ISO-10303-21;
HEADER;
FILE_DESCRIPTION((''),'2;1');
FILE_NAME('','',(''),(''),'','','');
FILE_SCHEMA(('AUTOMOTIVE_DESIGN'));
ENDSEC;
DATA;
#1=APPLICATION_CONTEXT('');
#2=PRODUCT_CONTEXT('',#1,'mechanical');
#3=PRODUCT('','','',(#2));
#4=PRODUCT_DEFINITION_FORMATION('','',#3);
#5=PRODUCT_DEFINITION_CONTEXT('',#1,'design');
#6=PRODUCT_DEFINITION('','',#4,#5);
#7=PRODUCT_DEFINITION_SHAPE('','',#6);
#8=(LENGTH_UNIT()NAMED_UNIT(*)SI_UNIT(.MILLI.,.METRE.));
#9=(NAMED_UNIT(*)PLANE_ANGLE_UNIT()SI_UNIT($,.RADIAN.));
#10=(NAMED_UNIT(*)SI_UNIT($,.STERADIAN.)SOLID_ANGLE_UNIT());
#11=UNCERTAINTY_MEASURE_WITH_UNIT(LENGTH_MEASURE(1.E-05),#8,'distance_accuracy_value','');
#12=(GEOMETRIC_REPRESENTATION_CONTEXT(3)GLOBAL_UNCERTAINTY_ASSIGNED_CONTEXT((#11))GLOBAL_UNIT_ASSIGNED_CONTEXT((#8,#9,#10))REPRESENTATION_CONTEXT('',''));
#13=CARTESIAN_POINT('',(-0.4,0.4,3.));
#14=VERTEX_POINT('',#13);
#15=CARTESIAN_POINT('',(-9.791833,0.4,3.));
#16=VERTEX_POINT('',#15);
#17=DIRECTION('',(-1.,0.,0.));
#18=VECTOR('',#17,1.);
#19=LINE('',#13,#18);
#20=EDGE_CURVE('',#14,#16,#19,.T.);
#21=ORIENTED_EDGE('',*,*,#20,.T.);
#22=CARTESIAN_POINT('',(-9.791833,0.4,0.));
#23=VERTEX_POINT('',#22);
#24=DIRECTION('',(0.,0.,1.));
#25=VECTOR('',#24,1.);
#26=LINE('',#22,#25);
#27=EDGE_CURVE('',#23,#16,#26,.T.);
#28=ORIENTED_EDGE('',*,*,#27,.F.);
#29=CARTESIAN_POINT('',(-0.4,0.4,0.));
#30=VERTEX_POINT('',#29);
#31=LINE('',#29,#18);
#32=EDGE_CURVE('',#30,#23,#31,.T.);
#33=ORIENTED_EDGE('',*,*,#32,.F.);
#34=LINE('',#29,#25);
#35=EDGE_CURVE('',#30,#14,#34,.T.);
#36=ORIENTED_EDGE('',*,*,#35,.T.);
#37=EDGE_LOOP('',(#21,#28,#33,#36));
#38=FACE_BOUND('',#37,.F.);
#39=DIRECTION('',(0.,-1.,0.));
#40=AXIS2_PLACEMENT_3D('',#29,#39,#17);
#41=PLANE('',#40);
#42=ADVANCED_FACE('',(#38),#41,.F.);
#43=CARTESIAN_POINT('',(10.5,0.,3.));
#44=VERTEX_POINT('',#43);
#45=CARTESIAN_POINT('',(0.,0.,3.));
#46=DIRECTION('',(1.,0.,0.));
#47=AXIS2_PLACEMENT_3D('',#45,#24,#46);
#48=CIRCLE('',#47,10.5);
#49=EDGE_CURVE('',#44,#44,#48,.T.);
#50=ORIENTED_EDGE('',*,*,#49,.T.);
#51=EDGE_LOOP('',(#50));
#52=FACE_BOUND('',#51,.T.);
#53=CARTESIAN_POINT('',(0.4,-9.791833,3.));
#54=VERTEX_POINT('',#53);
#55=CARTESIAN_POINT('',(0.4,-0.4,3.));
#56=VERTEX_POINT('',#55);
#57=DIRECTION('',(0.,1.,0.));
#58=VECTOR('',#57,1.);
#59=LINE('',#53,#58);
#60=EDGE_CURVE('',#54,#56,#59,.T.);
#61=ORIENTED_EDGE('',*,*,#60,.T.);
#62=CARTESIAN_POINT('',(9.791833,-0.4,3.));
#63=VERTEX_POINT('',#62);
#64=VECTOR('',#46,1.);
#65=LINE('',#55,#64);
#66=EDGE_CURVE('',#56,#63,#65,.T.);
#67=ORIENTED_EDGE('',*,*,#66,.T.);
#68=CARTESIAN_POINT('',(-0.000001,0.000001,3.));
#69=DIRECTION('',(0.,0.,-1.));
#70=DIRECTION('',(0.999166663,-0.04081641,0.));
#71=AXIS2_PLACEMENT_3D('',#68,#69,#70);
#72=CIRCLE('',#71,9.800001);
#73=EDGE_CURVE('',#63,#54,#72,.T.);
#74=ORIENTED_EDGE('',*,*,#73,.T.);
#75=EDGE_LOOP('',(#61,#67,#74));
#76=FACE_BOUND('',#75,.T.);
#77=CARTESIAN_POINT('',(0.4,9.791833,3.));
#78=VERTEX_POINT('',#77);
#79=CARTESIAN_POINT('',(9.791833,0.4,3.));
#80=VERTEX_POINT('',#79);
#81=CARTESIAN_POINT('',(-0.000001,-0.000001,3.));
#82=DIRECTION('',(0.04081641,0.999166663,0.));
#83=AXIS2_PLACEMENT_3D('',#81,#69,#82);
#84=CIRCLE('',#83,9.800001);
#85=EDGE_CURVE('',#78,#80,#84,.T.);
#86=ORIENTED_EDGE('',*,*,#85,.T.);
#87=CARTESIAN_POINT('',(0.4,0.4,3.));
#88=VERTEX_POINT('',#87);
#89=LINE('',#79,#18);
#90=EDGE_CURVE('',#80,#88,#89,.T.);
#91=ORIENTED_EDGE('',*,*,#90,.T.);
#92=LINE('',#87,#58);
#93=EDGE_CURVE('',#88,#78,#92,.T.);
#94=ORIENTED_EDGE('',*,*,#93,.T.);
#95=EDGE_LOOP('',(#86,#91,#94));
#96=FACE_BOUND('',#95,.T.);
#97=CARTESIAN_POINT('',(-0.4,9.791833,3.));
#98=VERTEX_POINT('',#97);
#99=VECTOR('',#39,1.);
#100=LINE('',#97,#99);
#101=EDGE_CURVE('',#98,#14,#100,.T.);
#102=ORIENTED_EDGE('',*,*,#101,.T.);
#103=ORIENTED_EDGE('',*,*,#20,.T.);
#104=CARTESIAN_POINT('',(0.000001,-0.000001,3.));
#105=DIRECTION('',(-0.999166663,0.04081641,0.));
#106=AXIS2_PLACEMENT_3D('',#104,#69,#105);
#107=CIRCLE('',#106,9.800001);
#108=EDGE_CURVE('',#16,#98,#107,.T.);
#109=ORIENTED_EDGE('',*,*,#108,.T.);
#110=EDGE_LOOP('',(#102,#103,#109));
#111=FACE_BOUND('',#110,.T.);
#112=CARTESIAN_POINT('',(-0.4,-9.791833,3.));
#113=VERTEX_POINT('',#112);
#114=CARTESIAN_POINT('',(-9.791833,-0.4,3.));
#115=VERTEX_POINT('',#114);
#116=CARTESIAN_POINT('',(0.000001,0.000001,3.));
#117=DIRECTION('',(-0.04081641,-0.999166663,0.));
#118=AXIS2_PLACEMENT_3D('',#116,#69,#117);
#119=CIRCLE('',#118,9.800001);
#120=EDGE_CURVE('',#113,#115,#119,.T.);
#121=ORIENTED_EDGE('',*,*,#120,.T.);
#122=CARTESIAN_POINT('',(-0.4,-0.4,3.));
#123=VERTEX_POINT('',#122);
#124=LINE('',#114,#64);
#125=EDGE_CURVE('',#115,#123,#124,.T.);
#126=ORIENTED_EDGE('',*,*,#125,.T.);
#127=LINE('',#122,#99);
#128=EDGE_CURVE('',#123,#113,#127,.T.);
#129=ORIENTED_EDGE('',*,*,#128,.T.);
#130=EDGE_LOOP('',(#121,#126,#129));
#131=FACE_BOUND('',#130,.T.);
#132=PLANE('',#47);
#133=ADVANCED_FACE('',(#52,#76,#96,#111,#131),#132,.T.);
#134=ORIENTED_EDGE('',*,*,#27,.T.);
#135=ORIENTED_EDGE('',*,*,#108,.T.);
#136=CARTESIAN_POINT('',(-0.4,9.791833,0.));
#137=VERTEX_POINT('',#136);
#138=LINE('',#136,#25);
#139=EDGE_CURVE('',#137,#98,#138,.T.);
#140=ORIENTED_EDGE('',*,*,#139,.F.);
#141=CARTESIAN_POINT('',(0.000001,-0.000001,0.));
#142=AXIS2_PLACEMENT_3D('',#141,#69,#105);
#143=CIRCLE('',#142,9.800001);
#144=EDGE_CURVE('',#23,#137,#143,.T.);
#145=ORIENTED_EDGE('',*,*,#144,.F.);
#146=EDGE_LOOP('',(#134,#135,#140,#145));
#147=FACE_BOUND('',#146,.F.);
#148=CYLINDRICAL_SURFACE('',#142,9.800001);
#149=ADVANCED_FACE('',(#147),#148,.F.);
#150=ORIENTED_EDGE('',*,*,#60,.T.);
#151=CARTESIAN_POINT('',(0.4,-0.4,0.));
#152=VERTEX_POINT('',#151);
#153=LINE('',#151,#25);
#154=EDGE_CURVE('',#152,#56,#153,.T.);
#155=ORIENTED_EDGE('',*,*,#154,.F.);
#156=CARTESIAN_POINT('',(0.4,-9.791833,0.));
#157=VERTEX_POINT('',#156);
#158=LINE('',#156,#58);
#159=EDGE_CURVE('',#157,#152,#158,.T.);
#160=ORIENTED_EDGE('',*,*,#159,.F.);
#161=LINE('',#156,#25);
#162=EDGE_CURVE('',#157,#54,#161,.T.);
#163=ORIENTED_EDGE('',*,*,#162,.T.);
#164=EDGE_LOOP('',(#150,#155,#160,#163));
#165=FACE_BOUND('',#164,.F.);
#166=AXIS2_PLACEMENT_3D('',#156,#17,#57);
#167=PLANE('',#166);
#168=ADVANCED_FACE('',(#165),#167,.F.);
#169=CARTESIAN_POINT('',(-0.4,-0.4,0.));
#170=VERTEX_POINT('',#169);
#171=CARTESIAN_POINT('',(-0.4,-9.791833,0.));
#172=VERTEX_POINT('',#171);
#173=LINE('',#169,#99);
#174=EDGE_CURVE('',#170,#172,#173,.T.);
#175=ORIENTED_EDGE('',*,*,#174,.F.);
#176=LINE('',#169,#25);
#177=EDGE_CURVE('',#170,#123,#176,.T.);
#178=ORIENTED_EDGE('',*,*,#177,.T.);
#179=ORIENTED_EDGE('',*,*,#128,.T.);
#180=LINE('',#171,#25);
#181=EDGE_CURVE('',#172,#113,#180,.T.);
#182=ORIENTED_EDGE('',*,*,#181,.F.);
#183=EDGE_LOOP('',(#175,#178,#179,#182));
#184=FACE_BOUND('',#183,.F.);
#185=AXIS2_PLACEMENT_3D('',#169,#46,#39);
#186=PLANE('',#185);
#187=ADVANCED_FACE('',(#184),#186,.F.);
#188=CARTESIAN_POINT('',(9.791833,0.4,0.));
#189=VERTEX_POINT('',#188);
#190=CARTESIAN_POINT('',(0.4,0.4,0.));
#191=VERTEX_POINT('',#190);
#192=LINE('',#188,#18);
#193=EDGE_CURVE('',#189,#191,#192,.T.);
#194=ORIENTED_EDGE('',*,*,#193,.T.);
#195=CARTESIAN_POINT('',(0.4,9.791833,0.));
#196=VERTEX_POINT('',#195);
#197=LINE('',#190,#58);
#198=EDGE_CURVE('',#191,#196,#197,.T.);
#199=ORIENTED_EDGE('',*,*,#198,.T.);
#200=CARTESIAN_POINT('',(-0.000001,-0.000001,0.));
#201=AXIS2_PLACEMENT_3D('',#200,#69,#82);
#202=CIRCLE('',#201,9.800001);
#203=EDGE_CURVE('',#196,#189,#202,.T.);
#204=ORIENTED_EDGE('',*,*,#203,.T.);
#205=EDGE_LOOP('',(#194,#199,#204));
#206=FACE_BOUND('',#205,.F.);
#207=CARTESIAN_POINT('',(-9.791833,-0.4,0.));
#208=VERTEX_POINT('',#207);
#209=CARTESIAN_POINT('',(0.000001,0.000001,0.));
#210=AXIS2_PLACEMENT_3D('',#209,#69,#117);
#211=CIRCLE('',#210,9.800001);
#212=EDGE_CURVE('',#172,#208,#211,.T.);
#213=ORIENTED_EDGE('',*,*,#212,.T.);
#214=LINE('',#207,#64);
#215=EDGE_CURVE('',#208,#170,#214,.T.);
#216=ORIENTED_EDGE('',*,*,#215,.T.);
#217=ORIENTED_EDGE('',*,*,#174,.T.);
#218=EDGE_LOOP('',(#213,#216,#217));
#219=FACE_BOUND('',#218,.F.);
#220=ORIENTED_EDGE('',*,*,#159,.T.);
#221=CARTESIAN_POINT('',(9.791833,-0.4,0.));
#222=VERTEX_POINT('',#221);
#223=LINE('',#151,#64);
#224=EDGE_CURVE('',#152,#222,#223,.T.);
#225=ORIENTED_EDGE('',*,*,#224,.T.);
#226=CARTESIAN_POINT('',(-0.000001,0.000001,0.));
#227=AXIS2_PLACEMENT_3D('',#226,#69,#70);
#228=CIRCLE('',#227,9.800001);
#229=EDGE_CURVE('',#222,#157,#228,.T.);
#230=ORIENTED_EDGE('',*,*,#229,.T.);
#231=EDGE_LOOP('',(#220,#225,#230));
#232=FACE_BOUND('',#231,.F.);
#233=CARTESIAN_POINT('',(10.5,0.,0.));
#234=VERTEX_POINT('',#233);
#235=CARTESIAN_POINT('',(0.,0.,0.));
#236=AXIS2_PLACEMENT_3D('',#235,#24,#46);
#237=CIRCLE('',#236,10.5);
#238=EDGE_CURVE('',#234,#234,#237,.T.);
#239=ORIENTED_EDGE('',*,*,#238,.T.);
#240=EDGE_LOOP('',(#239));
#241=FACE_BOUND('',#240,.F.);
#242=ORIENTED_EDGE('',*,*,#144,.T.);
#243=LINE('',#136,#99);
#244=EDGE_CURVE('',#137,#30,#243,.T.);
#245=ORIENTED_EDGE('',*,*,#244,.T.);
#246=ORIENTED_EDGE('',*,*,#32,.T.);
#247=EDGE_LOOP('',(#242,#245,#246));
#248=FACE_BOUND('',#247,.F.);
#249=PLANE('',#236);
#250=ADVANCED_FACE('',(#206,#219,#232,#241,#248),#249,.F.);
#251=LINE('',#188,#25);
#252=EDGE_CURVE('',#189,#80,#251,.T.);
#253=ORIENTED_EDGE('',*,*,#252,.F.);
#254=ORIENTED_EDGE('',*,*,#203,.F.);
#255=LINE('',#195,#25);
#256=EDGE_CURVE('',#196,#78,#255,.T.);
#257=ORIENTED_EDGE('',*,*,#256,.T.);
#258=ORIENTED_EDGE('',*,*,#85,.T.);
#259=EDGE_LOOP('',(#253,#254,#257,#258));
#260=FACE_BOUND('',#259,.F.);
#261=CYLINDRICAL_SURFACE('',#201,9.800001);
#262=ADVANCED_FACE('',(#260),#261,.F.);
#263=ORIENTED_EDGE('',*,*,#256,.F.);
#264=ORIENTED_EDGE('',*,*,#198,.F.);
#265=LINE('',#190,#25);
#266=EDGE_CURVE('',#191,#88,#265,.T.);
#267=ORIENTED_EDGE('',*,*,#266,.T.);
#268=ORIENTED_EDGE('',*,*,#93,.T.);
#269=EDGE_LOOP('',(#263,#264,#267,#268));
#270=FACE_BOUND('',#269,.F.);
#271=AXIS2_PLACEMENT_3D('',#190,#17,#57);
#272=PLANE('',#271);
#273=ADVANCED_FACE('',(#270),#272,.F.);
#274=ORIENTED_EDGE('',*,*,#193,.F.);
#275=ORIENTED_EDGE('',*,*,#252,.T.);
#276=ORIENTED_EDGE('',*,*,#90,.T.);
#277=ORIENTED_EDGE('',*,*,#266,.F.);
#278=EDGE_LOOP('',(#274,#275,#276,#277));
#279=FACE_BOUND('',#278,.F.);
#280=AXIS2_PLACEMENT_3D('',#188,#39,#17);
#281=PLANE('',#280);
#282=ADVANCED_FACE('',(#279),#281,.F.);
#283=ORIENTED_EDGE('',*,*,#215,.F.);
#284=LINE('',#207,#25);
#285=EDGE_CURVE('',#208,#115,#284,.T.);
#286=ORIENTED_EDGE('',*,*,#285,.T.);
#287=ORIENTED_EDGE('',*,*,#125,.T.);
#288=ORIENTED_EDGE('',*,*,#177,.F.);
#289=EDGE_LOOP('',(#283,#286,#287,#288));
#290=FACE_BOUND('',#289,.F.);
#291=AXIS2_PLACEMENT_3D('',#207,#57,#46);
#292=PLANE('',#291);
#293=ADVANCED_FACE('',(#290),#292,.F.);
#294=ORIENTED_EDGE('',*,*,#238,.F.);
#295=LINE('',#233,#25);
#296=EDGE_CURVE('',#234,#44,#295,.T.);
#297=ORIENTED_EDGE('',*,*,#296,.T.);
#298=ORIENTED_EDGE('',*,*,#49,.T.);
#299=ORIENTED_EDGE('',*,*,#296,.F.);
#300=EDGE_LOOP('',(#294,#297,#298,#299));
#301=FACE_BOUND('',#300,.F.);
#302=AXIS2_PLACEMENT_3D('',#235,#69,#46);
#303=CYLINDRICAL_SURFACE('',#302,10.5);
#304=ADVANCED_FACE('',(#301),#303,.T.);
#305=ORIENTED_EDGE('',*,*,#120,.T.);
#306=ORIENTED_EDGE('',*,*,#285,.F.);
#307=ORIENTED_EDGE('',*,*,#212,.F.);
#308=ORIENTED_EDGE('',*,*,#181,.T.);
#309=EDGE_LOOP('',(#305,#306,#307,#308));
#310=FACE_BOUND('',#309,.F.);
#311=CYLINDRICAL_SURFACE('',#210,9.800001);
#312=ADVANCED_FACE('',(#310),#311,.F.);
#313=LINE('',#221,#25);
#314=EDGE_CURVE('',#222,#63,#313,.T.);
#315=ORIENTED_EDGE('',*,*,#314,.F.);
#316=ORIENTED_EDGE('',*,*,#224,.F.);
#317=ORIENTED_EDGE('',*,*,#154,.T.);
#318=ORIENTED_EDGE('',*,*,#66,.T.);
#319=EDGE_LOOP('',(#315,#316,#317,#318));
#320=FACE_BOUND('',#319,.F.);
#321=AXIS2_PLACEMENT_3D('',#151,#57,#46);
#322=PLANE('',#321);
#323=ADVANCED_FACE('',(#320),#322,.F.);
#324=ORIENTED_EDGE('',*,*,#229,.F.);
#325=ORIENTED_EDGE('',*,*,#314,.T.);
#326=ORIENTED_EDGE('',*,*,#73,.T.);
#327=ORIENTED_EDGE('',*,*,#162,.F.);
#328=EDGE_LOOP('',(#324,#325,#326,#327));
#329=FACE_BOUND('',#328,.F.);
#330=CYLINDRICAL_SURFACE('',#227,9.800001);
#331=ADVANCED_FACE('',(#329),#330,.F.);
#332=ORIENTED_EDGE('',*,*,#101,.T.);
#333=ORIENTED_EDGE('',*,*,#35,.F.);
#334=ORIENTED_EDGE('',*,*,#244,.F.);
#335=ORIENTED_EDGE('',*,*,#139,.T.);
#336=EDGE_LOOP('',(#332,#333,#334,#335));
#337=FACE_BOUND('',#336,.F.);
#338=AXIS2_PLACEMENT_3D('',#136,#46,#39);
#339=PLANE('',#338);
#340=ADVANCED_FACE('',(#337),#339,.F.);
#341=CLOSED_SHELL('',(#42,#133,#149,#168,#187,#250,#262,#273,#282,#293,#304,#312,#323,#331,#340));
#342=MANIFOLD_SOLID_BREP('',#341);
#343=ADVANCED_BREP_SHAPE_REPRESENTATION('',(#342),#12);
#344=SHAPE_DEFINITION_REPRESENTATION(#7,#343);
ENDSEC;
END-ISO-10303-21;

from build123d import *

# Parameters (mm, degrees)
F0_R     = 10.5
F1_DEPTH = 3


with BuildPart() as f1:
    # F0 (on Top) → F1 (new body)
    with BuildSketch(Plane.XY):
        Circle(F0_R)
        with BuildLine():
            Line((-0.4, -0.4), (-0.4, -9.791833))
            ThreePointArc((-0.4, -9.791833), (-6.929646, -6.929646), (-9.791833, -0.4))
            Line((-9.791833, -0.4), (-0.4, -0.4))
        make_face(mode=Mode.SUBTRACT)
        with BuildLine():
            Line((0.4, -0.4), (9.791833, -0.4))
            ThreePointArc((9.791833, -0.4), (6.929646, -6.929646), (0.4, -9.791833))
            Line((0.4, -9.791833), (0.4, -0.4))
        make_face(mode=Mode.SUBTRACT)
        with BuildLine():
            ThreePointArc((-9.791833, 0.4), (-6.929646, 6.929646), (-0.4, 9.791833))
            Line((-0.4, 9.791833), (-0.4, 0.4))
            Line((-0.4, 0.4), (-9.791833, 0.4))
        make_face(mode=Mode.SUBTRACT)
        with BuildLine():
            Line((0.4, 0.4), (0.4, 9.791833))
            ThreePointArc((0.4, 9.791833), (6.929646, 6.929646), (9.791833, 0.4))
            Line((9.791833, 0.4), (0.4, 0.4))
        make_face(mode=Mode.SUBTRACT)
    extrude(amount=F1_DEPTH)


solid = f1.part
